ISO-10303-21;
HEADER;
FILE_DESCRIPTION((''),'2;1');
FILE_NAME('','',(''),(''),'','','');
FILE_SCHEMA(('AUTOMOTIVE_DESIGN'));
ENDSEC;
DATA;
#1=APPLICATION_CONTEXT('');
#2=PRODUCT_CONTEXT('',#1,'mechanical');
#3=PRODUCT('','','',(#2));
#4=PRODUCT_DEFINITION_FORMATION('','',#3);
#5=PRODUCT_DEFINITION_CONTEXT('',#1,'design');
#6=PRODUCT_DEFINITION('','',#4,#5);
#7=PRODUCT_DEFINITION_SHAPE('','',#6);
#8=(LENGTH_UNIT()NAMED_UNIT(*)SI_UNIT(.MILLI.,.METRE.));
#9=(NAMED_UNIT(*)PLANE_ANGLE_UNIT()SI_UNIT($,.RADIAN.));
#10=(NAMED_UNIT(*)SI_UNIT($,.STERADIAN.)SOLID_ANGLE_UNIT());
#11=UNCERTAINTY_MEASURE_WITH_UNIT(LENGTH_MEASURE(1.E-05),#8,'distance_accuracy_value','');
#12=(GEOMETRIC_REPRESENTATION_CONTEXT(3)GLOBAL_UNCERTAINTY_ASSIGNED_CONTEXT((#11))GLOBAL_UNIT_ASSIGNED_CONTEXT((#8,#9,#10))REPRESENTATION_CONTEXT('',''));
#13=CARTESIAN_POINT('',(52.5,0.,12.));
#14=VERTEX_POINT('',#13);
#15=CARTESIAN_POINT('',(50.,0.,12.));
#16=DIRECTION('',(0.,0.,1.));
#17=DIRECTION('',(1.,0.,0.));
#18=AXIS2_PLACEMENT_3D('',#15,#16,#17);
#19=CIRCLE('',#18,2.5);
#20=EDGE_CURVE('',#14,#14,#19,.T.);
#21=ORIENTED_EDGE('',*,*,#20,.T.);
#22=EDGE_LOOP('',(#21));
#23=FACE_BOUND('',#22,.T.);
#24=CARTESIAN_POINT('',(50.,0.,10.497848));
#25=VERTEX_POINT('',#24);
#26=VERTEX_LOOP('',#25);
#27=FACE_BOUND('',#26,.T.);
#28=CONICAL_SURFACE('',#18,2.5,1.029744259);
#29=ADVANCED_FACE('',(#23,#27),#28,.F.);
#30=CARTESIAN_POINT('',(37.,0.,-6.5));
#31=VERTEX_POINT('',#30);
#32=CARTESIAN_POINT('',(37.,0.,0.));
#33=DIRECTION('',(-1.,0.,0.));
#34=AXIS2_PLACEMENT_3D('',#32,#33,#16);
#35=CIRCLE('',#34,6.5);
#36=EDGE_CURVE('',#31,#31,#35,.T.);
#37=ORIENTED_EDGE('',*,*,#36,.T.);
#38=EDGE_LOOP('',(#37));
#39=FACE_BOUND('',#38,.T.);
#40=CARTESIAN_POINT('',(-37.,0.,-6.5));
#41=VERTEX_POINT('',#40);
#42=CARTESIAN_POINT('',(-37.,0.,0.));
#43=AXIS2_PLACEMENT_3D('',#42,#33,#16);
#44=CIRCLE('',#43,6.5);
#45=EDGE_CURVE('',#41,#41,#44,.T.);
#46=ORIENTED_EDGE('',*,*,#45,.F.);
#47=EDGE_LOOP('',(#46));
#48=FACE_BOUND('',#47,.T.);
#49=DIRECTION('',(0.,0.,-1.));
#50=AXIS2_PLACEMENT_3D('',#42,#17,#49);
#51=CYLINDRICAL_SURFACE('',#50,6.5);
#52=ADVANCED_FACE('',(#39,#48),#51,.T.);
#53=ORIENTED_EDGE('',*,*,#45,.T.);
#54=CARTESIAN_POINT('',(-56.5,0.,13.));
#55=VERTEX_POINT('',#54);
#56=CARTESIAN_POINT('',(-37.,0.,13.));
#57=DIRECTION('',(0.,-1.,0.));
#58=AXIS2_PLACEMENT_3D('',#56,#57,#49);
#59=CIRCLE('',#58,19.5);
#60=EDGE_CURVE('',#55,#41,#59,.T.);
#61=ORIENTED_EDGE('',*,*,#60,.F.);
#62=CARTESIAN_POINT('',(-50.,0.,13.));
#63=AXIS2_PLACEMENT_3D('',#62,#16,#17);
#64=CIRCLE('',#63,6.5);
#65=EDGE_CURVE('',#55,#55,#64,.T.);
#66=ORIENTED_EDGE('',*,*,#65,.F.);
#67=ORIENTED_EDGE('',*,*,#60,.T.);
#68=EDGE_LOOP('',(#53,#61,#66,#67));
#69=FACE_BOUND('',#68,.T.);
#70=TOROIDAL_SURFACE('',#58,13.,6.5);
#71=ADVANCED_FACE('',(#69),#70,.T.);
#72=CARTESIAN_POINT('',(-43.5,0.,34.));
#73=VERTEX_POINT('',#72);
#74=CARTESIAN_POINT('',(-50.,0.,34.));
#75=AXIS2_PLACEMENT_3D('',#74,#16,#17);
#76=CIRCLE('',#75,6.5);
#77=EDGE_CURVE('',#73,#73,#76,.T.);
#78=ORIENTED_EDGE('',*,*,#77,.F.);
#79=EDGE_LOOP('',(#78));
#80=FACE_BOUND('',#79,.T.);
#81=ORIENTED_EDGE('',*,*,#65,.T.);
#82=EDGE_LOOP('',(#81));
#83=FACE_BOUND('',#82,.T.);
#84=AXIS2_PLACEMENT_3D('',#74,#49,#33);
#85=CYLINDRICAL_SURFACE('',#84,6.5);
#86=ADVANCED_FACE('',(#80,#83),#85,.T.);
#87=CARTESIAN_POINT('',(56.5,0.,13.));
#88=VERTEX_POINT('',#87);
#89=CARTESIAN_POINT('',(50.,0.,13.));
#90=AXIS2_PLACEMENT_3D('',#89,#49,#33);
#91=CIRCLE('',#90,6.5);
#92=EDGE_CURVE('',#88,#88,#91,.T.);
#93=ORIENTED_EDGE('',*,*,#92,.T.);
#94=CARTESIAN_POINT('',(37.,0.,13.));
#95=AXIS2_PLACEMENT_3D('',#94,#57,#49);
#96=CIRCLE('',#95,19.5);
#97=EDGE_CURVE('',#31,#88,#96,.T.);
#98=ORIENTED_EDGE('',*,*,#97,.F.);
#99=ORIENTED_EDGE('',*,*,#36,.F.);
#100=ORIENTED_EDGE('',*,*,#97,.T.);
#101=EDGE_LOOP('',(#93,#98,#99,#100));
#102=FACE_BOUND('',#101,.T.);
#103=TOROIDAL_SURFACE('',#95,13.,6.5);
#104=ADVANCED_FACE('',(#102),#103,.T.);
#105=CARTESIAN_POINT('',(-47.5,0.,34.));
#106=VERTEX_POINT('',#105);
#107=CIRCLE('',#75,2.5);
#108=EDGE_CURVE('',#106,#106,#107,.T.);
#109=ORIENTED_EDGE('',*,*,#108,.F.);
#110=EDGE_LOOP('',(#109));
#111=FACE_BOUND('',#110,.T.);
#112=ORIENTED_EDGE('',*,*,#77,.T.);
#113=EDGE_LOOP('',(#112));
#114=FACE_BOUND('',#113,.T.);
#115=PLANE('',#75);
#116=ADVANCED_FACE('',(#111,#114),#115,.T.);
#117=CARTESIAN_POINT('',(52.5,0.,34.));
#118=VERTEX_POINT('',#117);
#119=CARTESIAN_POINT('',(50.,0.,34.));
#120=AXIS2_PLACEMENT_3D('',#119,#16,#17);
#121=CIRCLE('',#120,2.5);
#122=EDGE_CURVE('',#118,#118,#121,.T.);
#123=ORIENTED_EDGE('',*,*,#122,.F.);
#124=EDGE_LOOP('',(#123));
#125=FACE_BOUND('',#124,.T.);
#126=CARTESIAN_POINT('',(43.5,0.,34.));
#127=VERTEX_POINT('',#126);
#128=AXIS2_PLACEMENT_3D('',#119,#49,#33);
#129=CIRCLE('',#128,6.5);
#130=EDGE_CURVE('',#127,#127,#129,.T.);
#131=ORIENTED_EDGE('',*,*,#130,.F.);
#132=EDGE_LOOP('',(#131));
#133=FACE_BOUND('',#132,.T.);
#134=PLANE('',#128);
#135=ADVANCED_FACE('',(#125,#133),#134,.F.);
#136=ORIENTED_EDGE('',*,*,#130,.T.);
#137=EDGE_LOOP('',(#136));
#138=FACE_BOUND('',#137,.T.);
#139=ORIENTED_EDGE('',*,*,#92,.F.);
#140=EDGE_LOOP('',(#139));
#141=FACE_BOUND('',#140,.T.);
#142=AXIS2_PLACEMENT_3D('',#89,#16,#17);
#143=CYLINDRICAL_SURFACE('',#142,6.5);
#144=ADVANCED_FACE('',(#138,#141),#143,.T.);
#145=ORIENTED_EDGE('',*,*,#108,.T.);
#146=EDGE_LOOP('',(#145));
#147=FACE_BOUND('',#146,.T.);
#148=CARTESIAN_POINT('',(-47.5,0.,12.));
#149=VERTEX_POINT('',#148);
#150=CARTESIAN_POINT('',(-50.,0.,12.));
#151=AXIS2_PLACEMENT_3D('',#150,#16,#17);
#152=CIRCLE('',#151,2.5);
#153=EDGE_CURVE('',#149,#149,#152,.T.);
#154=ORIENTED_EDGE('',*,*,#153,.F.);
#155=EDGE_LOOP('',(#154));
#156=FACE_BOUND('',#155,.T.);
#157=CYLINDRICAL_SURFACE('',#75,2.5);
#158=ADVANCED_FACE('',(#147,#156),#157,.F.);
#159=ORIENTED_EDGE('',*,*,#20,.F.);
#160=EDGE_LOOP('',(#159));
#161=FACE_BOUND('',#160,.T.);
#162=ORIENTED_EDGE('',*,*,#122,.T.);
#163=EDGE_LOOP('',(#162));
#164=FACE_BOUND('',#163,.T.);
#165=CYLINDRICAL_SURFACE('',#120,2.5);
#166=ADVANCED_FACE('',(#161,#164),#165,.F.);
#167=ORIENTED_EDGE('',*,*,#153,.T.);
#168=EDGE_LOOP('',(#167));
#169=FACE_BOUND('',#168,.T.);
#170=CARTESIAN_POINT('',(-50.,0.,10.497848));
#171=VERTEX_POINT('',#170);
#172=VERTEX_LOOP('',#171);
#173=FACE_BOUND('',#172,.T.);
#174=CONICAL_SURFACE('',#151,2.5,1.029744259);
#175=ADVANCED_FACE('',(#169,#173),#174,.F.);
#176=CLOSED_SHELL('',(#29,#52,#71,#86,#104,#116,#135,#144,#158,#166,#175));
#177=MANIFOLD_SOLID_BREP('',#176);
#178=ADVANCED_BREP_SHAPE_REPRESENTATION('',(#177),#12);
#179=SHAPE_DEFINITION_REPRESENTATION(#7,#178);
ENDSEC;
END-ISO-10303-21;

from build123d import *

# Parameters (mm, degrees)
SWEEP1_PROFILE_R                = 6.5
TAP_DRILL_FOR_M6X1_0_TAP1_D     = 5
TAP_DRILL_FOR_M6X1_0_TAP1_DEPTH = 22
TAP_DRILL_FOR_M6X1_0_TAP1_TIP   = 1.502151548


with BuildPart() as part:
    # Sweep1: sweep along a path in Sketch1
    with BuildLine(Plane(origin=(0, 0, 0), x_dir=(1, 0, 0), z_dir=(0, 1, 0))) as sweep1_path:
        Line((-50, -34), (-50, -13))
        ThreePointArc((-50, -13), (-46.192388155, -3.807611845), (-37, 0))
        Line((-37, 0), (37, 0))
        ThreePointArc((37, 0), (46.192388155, -3.807611845), (50, -13))
        Line((50, -13), (50, -34))
    # Sweep1 profile (on start of the path) → Sweep1 (sweep)
    with BuildSketch(Plane(origin=(-50, 0, 34), x_dir=(-1, 0, 0), z_dir=(0, 0, -1))):
        Circle(SWEEP1_PROFILE_R)
    sweep(path=sweep1_path.line)

    # Tap Drill for M6x1.0 Tap1
    with Locations(Plane.XY.offset(34)):
        with Locations((-50, 0), (50, 0)):
            Hole(TAP_DRILL_FOR_M6X1_0_TAP1_D / 2, depth=TAP_DRILL_FOR_M6X1_0_TAP1_DEPTH)
            with Locations((0, 0, -(TAP_DRILL_FOR_M6X1_0_TAP1_DEPTH + TAP_DRILL_FOR_M6X1_0_TAP1_TIP / 2))):  # 118° drill point
                Cone(0, TAP_DRILL_FOR_M6X1_0_TAP1_D / 2, TAP_DRILL_FOR_M6X1_0_TAP1_TIP, mode=Mode.SUBTRACT)


solid = part.part
